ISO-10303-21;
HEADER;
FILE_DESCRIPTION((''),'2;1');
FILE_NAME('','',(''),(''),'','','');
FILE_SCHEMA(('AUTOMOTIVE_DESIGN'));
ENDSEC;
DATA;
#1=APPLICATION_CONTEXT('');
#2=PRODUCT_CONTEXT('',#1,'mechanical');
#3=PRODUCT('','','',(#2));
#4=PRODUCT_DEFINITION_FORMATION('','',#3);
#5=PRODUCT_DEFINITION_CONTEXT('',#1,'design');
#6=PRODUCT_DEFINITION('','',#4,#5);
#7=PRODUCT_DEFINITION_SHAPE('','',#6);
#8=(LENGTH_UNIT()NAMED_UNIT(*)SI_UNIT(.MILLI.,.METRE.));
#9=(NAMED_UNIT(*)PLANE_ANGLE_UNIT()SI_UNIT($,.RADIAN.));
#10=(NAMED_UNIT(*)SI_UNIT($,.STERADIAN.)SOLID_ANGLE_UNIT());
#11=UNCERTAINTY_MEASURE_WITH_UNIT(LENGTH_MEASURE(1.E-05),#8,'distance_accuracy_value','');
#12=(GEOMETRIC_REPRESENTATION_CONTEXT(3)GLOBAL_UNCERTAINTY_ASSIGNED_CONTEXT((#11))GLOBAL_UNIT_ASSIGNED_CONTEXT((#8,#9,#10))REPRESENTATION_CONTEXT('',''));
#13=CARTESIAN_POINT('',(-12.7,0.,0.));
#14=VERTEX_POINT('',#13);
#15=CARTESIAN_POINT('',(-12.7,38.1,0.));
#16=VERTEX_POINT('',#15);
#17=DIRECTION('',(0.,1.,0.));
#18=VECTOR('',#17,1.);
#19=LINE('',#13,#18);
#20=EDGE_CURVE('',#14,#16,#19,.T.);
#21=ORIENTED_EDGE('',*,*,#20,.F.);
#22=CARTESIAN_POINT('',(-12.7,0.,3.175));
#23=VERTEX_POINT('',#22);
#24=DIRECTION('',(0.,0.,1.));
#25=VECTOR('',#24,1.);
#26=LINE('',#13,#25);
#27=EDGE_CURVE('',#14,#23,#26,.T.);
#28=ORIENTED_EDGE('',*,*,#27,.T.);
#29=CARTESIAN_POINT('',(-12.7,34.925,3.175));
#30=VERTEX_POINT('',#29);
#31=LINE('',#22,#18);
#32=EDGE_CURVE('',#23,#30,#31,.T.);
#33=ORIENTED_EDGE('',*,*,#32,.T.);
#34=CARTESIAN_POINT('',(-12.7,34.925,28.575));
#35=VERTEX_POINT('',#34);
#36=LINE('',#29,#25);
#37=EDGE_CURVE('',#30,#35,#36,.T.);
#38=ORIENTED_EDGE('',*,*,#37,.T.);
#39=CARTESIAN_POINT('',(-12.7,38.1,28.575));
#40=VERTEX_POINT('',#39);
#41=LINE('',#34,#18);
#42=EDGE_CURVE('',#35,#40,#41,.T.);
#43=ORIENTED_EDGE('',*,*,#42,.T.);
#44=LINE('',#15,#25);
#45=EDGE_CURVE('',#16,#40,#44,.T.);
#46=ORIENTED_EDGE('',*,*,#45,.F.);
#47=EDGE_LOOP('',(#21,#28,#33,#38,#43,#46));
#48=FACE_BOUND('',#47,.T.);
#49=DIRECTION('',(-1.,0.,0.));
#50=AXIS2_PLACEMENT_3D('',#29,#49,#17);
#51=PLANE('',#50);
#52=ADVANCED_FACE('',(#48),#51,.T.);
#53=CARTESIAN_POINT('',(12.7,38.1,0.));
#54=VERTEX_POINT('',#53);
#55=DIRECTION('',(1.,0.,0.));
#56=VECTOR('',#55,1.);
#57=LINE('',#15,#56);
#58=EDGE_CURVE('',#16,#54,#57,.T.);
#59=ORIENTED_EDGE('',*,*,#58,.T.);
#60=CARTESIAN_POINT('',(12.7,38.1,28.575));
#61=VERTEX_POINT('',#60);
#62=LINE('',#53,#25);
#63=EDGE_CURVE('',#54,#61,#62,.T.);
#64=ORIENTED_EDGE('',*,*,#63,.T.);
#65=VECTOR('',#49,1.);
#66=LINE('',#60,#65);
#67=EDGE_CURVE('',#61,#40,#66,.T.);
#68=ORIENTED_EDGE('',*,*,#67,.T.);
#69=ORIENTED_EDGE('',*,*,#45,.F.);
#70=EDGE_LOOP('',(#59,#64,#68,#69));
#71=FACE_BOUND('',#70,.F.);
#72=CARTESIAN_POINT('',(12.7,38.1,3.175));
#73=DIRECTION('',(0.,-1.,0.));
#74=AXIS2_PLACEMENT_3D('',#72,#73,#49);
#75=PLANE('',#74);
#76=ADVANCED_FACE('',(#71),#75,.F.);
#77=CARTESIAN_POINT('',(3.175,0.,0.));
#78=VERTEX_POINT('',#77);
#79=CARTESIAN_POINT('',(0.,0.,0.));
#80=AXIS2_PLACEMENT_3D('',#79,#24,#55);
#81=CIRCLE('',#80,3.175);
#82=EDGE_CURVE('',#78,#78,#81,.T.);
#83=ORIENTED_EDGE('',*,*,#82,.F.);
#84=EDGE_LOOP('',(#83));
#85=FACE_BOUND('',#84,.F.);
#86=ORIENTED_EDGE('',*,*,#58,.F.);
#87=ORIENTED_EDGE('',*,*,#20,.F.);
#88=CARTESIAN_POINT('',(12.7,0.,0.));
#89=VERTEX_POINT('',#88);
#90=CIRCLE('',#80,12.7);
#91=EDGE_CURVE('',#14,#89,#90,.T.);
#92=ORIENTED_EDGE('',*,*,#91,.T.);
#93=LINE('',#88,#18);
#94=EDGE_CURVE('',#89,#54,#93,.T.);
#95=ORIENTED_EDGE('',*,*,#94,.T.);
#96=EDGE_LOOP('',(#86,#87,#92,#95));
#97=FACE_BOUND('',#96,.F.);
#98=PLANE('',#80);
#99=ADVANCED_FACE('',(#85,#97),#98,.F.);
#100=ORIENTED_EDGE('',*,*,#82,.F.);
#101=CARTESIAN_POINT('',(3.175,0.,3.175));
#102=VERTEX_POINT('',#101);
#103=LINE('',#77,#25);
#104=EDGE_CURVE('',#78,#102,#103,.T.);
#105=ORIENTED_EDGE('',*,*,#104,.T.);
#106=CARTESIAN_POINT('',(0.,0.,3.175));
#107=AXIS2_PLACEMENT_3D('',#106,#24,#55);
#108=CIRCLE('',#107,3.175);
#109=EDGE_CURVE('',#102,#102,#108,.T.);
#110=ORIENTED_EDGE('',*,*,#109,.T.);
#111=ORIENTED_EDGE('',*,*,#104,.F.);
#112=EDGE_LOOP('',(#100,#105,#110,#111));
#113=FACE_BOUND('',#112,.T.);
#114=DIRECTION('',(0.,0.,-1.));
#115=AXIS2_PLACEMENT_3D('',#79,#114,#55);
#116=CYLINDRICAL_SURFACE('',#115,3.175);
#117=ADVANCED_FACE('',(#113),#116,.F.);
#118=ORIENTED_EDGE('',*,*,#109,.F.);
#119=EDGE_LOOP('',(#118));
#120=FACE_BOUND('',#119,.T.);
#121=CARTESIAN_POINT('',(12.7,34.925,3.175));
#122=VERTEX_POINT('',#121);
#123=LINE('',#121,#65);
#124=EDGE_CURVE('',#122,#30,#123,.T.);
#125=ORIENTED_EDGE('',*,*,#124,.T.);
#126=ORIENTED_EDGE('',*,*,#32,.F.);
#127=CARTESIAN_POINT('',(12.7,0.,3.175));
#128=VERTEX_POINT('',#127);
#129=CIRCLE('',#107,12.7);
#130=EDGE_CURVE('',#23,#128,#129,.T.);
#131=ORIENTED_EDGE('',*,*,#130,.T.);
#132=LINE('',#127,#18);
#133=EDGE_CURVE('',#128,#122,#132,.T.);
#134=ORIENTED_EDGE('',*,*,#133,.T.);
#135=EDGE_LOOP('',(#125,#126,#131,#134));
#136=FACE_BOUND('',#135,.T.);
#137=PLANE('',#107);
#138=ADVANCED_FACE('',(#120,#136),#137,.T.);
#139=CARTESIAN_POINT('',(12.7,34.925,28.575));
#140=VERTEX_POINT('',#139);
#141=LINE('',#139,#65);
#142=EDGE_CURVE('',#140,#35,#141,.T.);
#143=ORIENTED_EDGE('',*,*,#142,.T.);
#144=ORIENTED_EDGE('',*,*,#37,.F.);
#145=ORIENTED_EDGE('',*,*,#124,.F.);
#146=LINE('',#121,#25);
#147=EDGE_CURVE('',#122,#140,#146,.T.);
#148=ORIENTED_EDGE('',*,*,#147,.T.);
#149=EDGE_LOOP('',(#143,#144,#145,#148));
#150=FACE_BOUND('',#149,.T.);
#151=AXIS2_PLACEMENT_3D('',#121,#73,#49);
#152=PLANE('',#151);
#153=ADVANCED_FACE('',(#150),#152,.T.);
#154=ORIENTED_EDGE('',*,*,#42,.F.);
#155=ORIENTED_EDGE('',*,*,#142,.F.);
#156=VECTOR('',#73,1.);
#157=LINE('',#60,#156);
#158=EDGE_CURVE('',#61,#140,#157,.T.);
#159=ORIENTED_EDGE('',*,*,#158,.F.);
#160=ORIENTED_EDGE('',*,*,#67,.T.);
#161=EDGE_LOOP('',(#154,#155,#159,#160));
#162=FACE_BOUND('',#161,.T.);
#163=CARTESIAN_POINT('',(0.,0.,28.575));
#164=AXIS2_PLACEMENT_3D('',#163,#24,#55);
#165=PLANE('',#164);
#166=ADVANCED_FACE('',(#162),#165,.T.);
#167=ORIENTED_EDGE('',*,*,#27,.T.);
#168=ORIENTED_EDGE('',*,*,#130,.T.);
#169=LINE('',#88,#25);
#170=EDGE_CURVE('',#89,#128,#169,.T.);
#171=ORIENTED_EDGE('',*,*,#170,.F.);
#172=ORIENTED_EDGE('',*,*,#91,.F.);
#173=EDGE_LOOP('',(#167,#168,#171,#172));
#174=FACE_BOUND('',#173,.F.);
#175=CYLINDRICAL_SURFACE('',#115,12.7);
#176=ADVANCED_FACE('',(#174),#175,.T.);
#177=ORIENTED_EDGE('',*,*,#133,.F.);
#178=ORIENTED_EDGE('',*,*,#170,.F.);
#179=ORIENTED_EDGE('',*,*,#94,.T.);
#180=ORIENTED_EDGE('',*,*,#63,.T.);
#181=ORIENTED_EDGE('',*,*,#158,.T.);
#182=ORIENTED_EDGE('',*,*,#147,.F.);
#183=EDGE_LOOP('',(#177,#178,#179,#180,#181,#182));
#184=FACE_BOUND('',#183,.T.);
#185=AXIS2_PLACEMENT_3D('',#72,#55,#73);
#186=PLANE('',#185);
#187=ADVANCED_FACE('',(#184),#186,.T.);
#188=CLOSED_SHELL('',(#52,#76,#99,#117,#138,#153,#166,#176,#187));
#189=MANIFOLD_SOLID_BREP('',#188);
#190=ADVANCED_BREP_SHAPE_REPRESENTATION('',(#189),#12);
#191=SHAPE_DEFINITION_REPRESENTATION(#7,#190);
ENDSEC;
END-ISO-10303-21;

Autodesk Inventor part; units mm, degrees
ref_plane "YZ Plane" through (0, 0, 0) normal (1, 0, 0) x (0, 1, 0)
ref_plane "XZ Plane" through (0, 0, 0) normal (0, 1, 0) x (-1, 0, 0)
ref_plane "XY Plane" through (0, 0, 0) normal (0, 0, 1) x (1, 0, 0)
sketch "Sketch1" plane through (0, 0, 0) normal (0, 0, 1) x (1, 0, 0)
  circle A0 centre (0, 0) radius 12.7
  line L0 (12.7, 0) -> (12.7, 38.1)
  line L1 (-12.7, 0) -> (-12.7, 38.1)
  line L2 (-12.7, 38.1) -> (12.7, 38.1)
  circle A1 centre (0, 0) radius 3.175
  dimension "d0" = 25.4
  dimension "d1" = 38.1
  dimension "d3" = 6.35
extrude "Extrusion1" add sketch "Sketch1" along normal blind 3.175
sketch "Sketch2" plane through (0, 0, 3.175) normal (0, 0, 1) x (1, 0, 0)
  line L0 (12.7, 38.1) -> (-12.7, 38.1) projected
  line L1 (-12.7, 38.1) -> (12.7, 38.1)
  line L2 (12.7, 38.1) -> (12.7, 34.925)
  line L3 (12.7, 34.925) -> (-12.7, 34.925)
  line L4 (-12.7, 34.925) -> (-12.7, 38.1)
  point P0 (0, 0)
  dimension "d6" = 25.4
  dimension "d7" = 3.175
extrude "Extrusion2" add sketch "Sketch2" along normal blind 25.4
properties part number "Roller holder"
